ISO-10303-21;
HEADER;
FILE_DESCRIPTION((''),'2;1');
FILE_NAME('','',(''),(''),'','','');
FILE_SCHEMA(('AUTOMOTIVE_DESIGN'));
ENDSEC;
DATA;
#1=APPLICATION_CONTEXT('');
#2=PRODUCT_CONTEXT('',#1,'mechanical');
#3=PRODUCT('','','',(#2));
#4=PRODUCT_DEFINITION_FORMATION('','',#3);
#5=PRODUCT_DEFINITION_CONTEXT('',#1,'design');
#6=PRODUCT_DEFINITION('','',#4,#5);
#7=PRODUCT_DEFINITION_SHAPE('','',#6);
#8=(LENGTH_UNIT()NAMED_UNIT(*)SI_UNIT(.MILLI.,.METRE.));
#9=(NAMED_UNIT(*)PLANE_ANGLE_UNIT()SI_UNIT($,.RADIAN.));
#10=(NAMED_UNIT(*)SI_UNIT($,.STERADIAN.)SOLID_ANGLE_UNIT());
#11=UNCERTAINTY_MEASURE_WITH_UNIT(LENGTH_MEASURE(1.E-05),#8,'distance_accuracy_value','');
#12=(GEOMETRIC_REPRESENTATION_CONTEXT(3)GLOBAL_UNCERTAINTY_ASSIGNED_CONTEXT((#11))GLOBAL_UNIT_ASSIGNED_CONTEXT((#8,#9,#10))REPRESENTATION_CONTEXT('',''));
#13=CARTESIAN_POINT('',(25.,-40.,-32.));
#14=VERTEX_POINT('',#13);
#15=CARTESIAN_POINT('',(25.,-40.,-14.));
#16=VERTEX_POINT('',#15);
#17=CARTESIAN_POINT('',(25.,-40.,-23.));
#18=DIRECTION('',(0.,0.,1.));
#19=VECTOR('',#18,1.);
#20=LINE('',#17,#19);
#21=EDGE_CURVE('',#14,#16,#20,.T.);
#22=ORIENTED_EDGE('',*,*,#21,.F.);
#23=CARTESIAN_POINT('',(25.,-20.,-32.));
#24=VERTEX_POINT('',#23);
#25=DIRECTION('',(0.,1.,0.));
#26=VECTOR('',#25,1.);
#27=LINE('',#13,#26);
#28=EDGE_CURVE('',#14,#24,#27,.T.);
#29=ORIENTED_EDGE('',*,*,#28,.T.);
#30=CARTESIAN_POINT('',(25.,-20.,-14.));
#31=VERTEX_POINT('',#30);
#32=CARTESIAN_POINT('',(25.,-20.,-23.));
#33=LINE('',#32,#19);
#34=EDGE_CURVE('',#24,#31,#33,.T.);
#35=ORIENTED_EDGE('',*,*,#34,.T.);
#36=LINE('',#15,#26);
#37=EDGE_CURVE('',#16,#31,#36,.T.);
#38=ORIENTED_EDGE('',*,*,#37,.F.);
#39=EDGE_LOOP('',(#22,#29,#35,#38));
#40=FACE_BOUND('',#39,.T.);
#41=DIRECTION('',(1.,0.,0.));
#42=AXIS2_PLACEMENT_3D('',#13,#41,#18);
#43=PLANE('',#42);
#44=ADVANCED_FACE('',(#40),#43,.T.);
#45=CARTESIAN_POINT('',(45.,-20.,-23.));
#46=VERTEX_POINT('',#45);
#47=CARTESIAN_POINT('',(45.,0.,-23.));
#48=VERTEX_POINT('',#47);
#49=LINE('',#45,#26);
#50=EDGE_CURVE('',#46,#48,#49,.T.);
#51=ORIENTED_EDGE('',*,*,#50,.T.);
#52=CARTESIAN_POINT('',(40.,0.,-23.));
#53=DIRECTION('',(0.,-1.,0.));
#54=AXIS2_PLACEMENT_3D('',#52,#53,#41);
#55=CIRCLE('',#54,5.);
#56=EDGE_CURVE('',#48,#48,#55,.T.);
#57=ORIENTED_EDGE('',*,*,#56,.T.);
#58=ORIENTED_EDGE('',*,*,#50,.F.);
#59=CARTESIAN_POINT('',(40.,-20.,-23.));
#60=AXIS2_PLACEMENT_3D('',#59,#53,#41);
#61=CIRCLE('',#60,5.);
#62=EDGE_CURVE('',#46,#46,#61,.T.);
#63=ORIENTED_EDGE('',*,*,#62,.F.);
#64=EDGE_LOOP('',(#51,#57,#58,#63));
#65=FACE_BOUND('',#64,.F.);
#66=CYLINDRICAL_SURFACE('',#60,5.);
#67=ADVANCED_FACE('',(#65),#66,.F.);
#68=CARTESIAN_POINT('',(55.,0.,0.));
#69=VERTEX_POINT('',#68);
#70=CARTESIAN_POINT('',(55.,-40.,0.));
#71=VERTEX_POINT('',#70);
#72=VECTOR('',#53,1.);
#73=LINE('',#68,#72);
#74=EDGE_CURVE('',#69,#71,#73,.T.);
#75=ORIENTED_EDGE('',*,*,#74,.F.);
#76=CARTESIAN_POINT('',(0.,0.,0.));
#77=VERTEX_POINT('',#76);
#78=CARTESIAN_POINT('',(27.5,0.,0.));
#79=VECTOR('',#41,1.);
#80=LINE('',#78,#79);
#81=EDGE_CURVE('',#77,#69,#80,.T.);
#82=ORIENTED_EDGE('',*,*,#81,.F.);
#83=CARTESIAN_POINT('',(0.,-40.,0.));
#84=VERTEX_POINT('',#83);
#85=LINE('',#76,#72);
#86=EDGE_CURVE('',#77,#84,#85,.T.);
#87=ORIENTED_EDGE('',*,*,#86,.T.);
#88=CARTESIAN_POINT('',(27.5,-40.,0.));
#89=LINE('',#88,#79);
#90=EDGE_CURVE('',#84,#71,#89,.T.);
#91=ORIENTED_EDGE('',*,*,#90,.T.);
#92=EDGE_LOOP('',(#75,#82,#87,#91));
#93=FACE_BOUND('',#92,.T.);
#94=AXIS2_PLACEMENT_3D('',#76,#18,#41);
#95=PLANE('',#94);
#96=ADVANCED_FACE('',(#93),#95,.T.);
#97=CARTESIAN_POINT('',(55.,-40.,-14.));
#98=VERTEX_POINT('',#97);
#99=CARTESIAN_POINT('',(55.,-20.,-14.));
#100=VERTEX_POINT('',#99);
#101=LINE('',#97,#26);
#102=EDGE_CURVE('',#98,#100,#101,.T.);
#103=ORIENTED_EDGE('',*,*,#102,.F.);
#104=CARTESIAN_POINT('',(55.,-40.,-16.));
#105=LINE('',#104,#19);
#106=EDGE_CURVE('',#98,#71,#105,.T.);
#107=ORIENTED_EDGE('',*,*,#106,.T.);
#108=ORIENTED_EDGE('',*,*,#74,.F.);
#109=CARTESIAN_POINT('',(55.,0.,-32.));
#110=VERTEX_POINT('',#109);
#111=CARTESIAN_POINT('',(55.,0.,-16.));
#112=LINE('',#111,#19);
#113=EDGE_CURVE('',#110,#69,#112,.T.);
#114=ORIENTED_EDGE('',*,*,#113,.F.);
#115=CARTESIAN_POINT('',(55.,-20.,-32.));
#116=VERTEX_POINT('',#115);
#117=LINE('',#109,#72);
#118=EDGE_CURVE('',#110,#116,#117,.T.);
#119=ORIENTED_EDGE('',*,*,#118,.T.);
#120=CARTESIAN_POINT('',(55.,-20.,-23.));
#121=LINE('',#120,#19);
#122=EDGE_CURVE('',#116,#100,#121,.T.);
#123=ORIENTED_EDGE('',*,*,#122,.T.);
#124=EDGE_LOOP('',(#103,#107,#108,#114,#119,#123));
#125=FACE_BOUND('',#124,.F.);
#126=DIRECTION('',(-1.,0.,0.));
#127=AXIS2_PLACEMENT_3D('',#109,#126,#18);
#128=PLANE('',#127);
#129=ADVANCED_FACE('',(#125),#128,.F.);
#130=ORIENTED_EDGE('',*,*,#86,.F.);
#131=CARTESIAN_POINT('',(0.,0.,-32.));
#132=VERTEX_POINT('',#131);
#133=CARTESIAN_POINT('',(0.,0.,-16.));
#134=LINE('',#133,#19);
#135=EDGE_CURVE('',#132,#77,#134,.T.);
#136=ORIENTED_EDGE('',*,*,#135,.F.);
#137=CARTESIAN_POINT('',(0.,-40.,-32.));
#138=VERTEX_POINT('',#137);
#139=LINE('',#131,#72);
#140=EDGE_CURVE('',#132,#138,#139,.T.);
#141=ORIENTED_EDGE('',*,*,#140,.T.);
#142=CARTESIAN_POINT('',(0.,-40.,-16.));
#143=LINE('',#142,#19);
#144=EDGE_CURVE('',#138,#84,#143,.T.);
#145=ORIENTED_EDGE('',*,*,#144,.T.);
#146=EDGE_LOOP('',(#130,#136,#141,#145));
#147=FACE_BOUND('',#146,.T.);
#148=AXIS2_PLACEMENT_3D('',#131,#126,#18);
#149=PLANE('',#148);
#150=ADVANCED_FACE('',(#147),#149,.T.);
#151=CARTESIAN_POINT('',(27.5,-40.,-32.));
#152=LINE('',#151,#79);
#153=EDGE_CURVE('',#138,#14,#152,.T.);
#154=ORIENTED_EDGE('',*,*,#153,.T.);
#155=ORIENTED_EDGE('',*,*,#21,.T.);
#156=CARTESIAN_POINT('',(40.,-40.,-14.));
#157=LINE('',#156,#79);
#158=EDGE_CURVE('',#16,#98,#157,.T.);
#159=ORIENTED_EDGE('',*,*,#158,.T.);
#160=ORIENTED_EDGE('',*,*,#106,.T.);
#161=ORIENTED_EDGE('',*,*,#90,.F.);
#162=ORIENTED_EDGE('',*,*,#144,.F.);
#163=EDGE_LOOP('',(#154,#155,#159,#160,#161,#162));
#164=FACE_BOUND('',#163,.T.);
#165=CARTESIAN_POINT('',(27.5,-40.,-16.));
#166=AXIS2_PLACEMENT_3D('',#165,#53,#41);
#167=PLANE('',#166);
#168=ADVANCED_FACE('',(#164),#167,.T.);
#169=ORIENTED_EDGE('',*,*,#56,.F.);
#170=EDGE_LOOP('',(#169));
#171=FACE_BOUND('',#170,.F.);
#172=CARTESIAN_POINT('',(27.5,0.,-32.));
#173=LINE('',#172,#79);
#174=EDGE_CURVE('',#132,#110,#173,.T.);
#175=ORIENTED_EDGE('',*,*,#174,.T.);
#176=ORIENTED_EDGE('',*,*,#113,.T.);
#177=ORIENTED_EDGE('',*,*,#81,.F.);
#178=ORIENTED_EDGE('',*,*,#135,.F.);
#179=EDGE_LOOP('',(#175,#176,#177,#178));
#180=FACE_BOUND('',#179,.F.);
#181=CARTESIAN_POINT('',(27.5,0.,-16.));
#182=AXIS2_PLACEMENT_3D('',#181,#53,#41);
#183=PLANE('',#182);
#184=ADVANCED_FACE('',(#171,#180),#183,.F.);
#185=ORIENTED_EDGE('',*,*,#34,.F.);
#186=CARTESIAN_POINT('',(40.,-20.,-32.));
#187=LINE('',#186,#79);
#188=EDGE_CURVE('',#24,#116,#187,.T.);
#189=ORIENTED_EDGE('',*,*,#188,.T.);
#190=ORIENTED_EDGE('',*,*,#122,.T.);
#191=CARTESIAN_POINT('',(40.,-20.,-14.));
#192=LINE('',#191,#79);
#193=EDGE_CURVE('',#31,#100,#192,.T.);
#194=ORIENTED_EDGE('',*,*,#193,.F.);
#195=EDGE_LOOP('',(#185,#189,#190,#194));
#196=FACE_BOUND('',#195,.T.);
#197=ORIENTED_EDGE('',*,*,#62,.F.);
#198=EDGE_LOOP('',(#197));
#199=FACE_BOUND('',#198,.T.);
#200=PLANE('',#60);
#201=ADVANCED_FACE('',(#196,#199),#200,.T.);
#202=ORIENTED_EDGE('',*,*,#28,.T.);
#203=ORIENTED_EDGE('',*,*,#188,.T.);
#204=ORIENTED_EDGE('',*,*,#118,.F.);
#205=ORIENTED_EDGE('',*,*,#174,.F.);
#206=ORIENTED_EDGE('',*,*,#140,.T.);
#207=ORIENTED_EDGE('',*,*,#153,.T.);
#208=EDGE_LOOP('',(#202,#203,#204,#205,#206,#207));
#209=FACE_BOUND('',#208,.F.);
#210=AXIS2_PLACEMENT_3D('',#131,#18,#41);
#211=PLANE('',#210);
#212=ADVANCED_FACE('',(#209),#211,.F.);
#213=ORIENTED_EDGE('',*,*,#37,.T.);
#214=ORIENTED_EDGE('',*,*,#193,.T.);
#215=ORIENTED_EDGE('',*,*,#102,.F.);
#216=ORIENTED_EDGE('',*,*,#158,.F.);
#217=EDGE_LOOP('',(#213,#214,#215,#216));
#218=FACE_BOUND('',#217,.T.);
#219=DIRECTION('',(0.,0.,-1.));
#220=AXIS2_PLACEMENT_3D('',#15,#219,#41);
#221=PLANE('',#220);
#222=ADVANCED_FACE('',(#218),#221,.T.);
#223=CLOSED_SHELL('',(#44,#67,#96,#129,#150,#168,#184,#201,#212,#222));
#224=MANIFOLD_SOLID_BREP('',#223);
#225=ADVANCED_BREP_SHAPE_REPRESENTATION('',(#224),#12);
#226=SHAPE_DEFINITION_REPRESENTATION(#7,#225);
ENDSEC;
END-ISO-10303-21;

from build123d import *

# Parameters (mm, degrees)
F0_W     = 55
F0_H     = 32
F1_DEPTH = 40
F2_W     = 30
F2_H     = 18
F3_DEPTH = 20
F4_R     = 5
F5_DEPTH = 20.001


with BuildPart() as f1:
    # F0 (on Front) → F1 (new body)
    with BuildSketch(Plane.XZ):
        with Locations((27.5, -16)):
            Rectangle(F0_W, F0_H)
    extrude(amount=F1_DEPTH)

    # F2 (on face) → F3 (cut)
    with BuildSketch(Plane.XZ.offset(40)):
        with Locations((40, -23)):
            Rectangle(F2_W, F2_H)
    extrude(amount=-F3_DEPTH, mode=Mode.SUBTRACT)

    # F4 (on face) → F5 (cut, through all)
    with BuildSketch(Plane.XZ.offset(20)):
        with Locations((40, -23)):
            Circle(F4_R)
    extrude(amount=-F5_DEPTH, mode=Mode.SUBTRACT)


solid = f1.part
